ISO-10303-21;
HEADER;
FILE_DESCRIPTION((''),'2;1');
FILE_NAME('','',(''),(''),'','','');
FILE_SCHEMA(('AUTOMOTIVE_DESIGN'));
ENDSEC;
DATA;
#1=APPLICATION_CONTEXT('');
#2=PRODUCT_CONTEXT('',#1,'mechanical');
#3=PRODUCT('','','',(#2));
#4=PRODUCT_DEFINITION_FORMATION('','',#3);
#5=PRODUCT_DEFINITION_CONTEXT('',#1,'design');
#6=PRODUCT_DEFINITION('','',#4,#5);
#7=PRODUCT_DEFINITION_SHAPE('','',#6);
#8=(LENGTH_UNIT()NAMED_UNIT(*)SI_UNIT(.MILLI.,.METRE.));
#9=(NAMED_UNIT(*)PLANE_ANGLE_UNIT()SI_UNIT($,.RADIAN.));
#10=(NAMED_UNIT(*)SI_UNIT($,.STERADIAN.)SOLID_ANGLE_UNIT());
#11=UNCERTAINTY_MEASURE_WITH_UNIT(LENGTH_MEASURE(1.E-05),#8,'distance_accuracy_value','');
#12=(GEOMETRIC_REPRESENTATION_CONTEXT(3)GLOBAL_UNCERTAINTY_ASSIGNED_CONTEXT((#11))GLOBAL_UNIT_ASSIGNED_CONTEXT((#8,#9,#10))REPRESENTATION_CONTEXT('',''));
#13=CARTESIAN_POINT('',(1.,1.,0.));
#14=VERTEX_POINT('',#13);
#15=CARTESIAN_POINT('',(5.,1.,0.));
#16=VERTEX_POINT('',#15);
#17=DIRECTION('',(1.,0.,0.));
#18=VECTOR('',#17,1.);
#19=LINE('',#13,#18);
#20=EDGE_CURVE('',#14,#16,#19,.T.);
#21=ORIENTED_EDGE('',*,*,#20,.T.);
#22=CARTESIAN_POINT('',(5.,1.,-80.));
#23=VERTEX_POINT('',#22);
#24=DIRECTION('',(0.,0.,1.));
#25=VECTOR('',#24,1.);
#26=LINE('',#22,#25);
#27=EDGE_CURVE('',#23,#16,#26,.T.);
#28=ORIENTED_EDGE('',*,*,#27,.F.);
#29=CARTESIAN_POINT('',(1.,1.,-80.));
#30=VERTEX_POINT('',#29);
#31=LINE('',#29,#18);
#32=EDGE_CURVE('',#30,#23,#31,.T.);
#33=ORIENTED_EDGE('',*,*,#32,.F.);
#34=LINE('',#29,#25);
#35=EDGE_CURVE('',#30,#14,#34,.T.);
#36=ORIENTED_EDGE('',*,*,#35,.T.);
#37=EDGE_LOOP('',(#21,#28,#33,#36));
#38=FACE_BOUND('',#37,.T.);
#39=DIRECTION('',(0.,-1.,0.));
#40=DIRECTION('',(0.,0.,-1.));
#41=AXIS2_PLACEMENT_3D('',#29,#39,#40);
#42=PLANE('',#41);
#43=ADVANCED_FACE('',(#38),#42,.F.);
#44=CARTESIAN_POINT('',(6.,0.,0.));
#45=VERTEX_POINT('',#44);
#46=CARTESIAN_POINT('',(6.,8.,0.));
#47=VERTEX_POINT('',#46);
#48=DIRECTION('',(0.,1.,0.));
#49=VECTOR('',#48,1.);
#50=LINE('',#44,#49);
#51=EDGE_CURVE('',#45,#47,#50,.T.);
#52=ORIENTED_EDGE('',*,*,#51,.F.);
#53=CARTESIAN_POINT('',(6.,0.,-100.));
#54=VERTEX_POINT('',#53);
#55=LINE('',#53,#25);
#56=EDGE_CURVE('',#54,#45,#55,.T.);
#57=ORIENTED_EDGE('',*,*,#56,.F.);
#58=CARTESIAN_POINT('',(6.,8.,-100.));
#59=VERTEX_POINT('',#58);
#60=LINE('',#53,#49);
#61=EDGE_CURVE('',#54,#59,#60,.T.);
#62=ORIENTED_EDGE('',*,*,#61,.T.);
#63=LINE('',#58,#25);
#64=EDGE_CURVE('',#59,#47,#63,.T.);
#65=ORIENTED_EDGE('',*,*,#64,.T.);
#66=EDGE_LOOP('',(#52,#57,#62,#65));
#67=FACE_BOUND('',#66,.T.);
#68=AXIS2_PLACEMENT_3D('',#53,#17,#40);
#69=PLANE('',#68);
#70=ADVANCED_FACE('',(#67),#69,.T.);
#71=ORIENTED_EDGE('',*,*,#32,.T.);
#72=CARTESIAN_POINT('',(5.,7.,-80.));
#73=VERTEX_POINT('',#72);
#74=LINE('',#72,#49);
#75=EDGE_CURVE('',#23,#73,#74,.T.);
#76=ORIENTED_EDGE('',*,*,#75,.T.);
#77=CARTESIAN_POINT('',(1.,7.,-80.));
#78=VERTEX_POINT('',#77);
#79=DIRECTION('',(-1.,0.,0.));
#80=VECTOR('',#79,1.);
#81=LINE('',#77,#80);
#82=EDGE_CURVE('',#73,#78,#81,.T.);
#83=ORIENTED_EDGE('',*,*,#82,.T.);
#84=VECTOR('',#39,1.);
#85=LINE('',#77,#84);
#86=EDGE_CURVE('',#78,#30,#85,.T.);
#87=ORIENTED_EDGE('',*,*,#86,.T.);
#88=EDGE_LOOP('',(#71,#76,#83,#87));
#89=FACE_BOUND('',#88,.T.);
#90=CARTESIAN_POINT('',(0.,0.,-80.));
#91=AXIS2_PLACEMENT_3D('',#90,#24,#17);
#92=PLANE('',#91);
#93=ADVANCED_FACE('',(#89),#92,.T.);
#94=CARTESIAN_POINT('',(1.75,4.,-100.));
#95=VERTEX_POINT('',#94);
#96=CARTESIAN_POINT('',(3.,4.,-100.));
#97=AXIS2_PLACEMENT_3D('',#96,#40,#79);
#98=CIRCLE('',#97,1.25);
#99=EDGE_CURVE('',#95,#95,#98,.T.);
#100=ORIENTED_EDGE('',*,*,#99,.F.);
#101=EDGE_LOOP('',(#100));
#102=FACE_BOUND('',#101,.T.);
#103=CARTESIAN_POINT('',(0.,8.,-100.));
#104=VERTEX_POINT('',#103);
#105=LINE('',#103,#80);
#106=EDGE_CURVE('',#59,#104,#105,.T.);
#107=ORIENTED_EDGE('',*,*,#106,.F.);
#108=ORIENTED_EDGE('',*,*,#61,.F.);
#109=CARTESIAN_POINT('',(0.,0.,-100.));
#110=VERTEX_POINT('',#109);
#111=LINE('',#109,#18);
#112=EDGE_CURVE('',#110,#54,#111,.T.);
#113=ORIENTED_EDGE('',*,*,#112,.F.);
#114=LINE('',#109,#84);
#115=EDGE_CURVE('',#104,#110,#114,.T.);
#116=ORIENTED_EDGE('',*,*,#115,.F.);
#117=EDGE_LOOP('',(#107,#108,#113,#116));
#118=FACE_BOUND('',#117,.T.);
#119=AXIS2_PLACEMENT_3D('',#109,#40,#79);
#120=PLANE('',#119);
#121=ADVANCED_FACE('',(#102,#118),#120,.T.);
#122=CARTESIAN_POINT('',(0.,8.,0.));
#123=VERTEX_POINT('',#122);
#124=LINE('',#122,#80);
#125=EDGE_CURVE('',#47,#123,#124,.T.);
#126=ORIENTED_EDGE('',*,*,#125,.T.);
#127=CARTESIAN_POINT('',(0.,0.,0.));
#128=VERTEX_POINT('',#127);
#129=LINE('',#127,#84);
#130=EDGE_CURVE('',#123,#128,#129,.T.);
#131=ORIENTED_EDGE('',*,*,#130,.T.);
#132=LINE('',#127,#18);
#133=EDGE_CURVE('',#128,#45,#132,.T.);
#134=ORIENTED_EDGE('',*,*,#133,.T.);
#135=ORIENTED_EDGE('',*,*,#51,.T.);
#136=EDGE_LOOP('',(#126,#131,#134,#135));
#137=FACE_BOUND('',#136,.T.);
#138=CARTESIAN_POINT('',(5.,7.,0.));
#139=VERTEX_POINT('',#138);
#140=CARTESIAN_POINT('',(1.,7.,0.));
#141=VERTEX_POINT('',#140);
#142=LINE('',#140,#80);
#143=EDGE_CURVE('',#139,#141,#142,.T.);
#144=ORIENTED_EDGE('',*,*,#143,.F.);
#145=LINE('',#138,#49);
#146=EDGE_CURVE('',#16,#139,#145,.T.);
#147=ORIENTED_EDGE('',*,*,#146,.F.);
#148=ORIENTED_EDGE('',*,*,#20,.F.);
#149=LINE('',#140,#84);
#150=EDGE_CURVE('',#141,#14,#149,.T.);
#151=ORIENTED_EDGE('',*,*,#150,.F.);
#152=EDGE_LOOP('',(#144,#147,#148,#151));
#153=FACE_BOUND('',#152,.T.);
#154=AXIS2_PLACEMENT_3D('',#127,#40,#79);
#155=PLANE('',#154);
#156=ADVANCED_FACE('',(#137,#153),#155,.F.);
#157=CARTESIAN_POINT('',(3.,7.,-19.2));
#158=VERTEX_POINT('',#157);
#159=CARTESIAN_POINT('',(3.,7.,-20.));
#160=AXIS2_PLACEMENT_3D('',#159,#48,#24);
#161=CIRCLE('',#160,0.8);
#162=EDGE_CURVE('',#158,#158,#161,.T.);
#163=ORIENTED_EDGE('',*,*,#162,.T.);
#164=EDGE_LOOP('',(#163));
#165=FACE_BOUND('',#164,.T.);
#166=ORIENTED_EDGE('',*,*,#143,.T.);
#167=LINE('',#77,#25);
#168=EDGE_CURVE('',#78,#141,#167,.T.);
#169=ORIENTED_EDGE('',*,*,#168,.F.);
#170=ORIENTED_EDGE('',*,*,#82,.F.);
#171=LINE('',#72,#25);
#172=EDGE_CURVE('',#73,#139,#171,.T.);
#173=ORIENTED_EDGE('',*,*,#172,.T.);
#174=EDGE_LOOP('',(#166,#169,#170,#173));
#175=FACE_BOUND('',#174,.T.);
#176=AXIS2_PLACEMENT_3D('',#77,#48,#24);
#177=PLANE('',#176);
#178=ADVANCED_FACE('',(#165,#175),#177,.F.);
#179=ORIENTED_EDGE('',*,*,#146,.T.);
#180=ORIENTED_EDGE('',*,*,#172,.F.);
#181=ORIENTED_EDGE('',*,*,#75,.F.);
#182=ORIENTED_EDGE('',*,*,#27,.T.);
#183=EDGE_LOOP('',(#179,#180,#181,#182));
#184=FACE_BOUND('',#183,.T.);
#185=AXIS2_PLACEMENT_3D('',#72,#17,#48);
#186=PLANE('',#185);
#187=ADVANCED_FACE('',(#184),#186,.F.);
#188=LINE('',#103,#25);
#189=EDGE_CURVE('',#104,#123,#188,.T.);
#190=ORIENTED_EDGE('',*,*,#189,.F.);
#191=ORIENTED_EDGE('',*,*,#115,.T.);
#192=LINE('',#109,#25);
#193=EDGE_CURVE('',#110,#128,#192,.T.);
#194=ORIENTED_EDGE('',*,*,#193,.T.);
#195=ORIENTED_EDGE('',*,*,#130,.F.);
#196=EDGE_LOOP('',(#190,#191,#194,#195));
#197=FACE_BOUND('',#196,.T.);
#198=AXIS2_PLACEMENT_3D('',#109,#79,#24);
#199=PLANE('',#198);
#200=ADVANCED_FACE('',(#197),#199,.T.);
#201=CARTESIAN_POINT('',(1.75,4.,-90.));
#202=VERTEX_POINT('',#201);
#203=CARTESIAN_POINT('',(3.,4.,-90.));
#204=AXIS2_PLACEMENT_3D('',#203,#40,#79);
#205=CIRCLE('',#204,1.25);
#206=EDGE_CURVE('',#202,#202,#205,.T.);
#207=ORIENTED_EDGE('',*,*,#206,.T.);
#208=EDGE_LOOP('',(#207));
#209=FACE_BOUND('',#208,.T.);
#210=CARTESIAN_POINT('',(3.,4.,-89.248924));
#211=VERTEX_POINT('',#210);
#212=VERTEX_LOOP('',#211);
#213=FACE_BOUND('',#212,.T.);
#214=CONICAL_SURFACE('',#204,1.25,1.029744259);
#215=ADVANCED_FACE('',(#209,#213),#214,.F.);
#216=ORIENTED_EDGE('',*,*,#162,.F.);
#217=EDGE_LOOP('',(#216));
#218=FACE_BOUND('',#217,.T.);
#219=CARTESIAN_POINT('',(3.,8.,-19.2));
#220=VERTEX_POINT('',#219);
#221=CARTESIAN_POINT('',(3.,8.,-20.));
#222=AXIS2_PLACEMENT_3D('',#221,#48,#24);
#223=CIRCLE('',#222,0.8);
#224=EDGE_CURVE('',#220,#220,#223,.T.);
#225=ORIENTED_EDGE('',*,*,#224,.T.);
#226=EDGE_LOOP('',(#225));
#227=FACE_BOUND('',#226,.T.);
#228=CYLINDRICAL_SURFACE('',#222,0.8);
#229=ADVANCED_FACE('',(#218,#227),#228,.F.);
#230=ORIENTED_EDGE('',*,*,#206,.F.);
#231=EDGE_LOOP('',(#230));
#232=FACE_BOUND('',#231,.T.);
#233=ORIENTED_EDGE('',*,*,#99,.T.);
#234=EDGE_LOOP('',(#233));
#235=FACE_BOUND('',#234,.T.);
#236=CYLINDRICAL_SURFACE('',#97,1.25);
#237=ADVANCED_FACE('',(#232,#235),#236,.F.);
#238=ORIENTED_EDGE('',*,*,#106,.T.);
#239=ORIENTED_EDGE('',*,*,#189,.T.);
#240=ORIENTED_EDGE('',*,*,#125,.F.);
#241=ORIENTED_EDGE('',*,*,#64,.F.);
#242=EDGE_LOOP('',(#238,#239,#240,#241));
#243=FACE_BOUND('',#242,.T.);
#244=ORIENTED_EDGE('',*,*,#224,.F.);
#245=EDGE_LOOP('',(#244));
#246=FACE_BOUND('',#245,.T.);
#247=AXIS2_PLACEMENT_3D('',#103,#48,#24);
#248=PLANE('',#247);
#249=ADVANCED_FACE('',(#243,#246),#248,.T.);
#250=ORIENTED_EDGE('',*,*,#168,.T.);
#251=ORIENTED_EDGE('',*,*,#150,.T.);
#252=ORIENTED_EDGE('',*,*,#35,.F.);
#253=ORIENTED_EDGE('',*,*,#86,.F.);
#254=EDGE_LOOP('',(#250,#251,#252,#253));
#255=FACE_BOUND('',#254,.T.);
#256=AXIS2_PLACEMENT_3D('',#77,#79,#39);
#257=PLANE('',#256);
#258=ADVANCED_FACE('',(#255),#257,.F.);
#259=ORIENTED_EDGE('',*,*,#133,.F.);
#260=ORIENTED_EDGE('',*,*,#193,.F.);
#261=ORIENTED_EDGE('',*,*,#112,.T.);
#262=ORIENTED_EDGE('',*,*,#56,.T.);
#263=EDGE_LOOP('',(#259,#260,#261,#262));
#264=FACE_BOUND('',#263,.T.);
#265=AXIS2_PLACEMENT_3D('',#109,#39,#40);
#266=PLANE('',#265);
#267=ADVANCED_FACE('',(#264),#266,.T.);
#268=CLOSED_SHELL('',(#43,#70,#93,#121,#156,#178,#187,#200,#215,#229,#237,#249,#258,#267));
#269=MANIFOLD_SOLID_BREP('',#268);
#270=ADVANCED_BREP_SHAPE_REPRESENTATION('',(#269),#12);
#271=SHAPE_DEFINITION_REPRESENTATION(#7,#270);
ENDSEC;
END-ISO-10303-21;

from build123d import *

# Parameters (mm, degrees)
ESQUISSE1_W             = 6
ESQUISSE1_H             = 8
BOSS_EXTRU_1_DEPTH      = 100
ESQUISSE2_W             = 4
ESQUISSE2_H             = 6
ENL_V_MAT_EXTRU_1_DEPTH = 80
TROU_TARAUD_M21_D       = 1.6
TROU_TARAUD_M21_DEPTH   = 4
TROU_TARAUD_M21_TIP     = 0.480688495
TROU_TARAUD_M31_D       = 2.5
TROU_TARAUD_M31_DEPTH   = 10
TROU_TARAUD_M31_TIP     = 0.751075774


with BuildPart() as part:
    # Esquisse1 → Boss.-Extru.1 (new body)
    with BuildSketch(Plane.XY):
        with Locations((3, 4)):
            Rectangle(ESQUISSE1_W, ESQUISSE1_H)
    extrude(amount=-BOSS_EXTRU_1_DEPTH)

    # Esquisse2 → Enlèv. mat.-Extru.1 (cut)
    with BuildSketch(Plane.XY):
        with Locations((3, 4)):
            Rectangle(ESQUISSE2_W, ESQUISSE2_H)
    extrude(amount=-ENL_V_MAT_EXTRU_1_DEPTH, mode=Mode.SUBTRACT)

    # Trou taraudé M21
    with Locations(Plane(origin=(0, 8, 0), x_dir=(1, 0, 0), z_dir=(0, 1, 0))):
        with Locations((3, 20)):
            Hole(TROU_TARAUD_M21_D / 2, depth=TROU_TARAUD_M21_DEPTH)
            with Locations((0, 0, -(TROU_TARAUD_M21_DEPTH + TROU_TARAUD_M21_TIP / 2))):  # 118° drill point
                Cone(0, TROU_TARAUD_M21_D / 2, TROU_TARAUD_M21_TIP, mode=Mode.SUBTRACT)

    # Trou taraudé M31
    with Locations(Plane(origin=(0, 0, -100), x_dir=(-1, 0, 0), z_dir=(0, 0, -1))):
        with Locations((-3, 4)):
            Hole(TROU_TARAUD_M31_D / 2, depth=TROU_TARAUD_M31_DEPTH)
            with Locations((0, 0, -(TROU_TARAUD_M31_DEPTH + TROU_TARAUD_M31_TIP / 2))):  # 118° drill point
                Cone(0, TROU_TARAUD_M31_D / 2, TROU_TARAUD_M31_TIP, mode=Mode.SUBTRACT)


solid = part.part
